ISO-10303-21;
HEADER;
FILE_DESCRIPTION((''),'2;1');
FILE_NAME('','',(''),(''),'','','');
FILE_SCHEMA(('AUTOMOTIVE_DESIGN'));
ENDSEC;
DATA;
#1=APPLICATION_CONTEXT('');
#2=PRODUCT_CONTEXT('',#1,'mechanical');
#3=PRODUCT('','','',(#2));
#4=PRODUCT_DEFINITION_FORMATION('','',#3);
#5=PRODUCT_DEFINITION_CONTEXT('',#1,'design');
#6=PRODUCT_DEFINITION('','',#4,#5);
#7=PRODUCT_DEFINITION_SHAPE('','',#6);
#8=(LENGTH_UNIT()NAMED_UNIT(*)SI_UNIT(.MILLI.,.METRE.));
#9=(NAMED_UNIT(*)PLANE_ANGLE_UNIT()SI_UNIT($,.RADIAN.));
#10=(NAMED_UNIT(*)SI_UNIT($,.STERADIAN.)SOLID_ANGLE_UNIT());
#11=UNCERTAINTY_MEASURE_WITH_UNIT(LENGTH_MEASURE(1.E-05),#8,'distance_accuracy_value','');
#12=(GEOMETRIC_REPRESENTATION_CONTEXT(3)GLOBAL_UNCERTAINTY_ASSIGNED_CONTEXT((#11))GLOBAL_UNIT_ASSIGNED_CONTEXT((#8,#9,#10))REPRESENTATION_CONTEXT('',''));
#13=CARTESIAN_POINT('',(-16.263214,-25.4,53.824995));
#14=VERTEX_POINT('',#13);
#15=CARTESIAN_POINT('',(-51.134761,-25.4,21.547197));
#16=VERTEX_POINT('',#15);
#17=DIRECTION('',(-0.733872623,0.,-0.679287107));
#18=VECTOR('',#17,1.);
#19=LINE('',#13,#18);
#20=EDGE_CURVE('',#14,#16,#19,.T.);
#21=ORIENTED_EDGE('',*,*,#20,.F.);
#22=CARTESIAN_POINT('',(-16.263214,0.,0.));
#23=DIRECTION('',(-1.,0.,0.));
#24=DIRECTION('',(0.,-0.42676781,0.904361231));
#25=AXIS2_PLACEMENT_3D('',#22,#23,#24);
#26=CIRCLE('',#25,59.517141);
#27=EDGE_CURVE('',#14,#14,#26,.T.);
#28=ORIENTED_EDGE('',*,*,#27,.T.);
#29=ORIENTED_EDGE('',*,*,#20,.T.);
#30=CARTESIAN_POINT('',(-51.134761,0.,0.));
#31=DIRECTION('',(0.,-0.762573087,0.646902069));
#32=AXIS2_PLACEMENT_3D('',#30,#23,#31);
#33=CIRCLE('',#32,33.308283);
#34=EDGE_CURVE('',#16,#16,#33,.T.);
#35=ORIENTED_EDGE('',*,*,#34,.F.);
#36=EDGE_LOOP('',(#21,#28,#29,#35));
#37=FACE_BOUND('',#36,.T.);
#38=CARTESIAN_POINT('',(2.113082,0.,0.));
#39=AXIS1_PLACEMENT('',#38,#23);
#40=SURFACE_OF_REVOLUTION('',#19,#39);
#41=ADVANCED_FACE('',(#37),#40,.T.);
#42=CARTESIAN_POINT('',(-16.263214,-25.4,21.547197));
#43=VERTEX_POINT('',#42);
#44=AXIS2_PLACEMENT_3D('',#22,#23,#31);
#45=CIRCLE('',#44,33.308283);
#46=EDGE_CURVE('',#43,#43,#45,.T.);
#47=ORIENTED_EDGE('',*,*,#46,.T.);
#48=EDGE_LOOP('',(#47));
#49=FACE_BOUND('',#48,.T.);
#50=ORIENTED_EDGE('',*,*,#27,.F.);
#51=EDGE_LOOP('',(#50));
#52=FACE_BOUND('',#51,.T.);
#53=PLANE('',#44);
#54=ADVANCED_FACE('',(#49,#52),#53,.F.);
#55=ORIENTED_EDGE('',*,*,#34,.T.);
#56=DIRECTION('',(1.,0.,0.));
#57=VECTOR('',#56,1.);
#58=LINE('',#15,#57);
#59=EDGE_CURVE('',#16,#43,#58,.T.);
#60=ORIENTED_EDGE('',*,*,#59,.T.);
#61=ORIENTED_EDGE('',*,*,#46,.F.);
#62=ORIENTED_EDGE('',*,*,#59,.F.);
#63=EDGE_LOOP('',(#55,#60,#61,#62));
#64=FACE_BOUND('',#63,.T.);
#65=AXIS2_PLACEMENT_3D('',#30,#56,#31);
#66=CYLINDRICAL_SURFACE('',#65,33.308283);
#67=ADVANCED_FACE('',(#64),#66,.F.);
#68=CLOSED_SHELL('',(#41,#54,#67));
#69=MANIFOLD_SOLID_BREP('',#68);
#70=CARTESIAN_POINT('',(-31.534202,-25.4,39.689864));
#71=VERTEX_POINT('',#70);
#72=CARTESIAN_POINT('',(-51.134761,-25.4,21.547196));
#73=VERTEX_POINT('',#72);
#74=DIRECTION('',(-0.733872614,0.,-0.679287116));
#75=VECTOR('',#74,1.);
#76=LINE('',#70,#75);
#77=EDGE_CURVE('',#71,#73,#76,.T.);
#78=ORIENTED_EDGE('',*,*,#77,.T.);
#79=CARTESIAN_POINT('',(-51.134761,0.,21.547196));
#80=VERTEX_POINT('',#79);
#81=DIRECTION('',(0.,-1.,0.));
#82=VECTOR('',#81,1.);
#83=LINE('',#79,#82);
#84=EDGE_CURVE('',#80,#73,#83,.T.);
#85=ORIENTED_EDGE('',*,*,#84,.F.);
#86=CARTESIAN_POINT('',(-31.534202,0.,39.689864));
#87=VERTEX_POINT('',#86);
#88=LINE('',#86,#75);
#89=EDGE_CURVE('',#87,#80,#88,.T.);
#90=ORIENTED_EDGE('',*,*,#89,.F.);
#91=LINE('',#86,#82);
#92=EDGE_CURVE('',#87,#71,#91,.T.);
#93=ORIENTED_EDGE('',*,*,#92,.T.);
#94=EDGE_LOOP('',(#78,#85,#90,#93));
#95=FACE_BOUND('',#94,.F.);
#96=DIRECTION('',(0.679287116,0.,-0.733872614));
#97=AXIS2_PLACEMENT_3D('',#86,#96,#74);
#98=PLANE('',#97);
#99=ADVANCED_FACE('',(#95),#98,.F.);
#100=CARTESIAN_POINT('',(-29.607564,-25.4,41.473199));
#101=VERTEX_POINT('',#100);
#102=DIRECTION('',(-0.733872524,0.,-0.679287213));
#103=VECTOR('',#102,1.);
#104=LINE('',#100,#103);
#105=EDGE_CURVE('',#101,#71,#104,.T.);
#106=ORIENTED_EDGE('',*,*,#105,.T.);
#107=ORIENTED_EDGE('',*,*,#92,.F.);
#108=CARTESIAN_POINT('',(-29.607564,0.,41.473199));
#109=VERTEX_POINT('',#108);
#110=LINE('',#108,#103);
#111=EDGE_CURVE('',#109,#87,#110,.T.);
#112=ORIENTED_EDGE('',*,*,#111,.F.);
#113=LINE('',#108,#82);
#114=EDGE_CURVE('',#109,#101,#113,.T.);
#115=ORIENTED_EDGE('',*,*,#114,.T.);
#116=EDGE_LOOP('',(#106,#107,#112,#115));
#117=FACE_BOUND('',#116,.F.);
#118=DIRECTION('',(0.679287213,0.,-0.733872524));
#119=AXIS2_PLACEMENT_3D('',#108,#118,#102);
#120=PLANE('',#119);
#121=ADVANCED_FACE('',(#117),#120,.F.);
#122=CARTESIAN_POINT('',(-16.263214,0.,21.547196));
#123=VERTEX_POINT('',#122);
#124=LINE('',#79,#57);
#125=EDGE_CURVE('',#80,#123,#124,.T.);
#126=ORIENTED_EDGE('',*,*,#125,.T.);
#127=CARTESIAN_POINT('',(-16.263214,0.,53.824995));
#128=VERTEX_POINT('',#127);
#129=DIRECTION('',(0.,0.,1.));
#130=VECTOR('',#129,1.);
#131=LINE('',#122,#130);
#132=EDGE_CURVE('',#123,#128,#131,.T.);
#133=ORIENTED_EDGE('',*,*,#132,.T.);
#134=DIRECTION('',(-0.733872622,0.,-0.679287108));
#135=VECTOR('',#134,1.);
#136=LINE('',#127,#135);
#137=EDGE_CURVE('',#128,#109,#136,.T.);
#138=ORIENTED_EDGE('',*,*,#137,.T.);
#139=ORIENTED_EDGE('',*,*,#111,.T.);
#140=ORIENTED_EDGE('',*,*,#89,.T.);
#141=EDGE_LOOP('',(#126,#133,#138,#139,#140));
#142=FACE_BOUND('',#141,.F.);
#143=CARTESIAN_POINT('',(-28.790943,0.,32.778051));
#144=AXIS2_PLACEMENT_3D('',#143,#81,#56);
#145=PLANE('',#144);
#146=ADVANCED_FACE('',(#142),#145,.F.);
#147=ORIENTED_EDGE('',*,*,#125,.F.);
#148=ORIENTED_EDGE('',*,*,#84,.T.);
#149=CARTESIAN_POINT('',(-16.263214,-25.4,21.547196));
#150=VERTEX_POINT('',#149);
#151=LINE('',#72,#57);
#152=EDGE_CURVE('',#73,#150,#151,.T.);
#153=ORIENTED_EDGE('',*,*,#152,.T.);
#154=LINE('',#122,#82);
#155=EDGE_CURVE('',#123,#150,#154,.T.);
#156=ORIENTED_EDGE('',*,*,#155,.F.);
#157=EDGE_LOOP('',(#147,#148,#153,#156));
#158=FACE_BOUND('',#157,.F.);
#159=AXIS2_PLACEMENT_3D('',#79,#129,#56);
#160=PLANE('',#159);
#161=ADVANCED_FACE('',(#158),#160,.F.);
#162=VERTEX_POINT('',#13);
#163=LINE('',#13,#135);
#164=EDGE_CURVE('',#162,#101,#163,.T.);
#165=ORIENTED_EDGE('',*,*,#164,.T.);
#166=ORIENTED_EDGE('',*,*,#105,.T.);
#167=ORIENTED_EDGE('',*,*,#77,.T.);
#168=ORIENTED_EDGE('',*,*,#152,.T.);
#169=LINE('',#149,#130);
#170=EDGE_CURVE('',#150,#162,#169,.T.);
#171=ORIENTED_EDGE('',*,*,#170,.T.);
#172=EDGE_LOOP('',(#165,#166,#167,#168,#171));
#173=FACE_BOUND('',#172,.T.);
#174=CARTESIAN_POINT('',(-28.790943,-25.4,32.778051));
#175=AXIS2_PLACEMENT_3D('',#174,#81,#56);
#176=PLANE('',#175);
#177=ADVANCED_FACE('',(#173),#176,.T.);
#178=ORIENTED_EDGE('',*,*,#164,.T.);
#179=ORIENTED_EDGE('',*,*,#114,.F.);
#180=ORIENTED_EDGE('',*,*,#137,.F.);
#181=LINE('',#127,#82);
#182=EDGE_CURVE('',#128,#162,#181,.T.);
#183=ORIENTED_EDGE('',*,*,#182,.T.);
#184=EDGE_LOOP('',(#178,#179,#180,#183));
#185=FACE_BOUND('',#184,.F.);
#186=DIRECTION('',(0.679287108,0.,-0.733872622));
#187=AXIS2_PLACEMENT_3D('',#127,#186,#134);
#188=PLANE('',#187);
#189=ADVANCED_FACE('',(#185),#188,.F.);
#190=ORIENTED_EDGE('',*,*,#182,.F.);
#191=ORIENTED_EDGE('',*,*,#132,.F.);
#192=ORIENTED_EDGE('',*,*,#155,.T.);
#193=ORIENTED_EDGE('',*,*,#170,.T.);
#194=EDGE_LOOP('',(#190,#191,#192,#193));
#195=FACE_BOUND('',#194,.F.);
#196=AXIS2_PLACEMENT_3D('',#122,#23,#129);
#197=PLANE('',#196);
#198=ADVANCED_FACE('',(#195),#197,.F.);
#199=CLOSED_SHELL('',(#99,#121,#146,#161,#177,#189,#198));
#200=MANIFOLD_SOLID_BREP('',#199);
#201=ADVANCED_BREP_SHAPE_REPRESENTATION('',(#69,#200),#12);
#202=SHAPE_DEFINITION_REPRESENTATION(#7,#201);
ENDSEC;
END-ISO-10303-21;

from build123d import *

# Parameters (mm, degrees)
F1_DEPTH = 25.4


with BuildPart() as f1:
    # F0 (on Front) → F1 (new body)
    with BuildSketch(Plane.XZ):
        Polygon((-16.263214, 53.824995), (-29.607564, 41.473199), (-31.534202, 39.689864), (-51.134761, 21.547196), (-16.263214, 21.547196), align=None)
    extrude(amount=F1_DEPTH)


with BuildPart() as f3:
    # F1_face (on face) → F3 (revolve)
    with BuildSketch(Plane(origin=(-27.887063, -25.4, 32.306463), x_dir=(1, 0, 0), z_dir=(0, -1, 0))):
        Polygon((11.623849, 21.518532), (-23.247698, -10.759266), (11.623849, -10.759266), align=None)
    revolve(axis=Axis((2.113082, 0, 0), (-1, 0, 0)))


solid = Compound([f1.part, f3.part])
